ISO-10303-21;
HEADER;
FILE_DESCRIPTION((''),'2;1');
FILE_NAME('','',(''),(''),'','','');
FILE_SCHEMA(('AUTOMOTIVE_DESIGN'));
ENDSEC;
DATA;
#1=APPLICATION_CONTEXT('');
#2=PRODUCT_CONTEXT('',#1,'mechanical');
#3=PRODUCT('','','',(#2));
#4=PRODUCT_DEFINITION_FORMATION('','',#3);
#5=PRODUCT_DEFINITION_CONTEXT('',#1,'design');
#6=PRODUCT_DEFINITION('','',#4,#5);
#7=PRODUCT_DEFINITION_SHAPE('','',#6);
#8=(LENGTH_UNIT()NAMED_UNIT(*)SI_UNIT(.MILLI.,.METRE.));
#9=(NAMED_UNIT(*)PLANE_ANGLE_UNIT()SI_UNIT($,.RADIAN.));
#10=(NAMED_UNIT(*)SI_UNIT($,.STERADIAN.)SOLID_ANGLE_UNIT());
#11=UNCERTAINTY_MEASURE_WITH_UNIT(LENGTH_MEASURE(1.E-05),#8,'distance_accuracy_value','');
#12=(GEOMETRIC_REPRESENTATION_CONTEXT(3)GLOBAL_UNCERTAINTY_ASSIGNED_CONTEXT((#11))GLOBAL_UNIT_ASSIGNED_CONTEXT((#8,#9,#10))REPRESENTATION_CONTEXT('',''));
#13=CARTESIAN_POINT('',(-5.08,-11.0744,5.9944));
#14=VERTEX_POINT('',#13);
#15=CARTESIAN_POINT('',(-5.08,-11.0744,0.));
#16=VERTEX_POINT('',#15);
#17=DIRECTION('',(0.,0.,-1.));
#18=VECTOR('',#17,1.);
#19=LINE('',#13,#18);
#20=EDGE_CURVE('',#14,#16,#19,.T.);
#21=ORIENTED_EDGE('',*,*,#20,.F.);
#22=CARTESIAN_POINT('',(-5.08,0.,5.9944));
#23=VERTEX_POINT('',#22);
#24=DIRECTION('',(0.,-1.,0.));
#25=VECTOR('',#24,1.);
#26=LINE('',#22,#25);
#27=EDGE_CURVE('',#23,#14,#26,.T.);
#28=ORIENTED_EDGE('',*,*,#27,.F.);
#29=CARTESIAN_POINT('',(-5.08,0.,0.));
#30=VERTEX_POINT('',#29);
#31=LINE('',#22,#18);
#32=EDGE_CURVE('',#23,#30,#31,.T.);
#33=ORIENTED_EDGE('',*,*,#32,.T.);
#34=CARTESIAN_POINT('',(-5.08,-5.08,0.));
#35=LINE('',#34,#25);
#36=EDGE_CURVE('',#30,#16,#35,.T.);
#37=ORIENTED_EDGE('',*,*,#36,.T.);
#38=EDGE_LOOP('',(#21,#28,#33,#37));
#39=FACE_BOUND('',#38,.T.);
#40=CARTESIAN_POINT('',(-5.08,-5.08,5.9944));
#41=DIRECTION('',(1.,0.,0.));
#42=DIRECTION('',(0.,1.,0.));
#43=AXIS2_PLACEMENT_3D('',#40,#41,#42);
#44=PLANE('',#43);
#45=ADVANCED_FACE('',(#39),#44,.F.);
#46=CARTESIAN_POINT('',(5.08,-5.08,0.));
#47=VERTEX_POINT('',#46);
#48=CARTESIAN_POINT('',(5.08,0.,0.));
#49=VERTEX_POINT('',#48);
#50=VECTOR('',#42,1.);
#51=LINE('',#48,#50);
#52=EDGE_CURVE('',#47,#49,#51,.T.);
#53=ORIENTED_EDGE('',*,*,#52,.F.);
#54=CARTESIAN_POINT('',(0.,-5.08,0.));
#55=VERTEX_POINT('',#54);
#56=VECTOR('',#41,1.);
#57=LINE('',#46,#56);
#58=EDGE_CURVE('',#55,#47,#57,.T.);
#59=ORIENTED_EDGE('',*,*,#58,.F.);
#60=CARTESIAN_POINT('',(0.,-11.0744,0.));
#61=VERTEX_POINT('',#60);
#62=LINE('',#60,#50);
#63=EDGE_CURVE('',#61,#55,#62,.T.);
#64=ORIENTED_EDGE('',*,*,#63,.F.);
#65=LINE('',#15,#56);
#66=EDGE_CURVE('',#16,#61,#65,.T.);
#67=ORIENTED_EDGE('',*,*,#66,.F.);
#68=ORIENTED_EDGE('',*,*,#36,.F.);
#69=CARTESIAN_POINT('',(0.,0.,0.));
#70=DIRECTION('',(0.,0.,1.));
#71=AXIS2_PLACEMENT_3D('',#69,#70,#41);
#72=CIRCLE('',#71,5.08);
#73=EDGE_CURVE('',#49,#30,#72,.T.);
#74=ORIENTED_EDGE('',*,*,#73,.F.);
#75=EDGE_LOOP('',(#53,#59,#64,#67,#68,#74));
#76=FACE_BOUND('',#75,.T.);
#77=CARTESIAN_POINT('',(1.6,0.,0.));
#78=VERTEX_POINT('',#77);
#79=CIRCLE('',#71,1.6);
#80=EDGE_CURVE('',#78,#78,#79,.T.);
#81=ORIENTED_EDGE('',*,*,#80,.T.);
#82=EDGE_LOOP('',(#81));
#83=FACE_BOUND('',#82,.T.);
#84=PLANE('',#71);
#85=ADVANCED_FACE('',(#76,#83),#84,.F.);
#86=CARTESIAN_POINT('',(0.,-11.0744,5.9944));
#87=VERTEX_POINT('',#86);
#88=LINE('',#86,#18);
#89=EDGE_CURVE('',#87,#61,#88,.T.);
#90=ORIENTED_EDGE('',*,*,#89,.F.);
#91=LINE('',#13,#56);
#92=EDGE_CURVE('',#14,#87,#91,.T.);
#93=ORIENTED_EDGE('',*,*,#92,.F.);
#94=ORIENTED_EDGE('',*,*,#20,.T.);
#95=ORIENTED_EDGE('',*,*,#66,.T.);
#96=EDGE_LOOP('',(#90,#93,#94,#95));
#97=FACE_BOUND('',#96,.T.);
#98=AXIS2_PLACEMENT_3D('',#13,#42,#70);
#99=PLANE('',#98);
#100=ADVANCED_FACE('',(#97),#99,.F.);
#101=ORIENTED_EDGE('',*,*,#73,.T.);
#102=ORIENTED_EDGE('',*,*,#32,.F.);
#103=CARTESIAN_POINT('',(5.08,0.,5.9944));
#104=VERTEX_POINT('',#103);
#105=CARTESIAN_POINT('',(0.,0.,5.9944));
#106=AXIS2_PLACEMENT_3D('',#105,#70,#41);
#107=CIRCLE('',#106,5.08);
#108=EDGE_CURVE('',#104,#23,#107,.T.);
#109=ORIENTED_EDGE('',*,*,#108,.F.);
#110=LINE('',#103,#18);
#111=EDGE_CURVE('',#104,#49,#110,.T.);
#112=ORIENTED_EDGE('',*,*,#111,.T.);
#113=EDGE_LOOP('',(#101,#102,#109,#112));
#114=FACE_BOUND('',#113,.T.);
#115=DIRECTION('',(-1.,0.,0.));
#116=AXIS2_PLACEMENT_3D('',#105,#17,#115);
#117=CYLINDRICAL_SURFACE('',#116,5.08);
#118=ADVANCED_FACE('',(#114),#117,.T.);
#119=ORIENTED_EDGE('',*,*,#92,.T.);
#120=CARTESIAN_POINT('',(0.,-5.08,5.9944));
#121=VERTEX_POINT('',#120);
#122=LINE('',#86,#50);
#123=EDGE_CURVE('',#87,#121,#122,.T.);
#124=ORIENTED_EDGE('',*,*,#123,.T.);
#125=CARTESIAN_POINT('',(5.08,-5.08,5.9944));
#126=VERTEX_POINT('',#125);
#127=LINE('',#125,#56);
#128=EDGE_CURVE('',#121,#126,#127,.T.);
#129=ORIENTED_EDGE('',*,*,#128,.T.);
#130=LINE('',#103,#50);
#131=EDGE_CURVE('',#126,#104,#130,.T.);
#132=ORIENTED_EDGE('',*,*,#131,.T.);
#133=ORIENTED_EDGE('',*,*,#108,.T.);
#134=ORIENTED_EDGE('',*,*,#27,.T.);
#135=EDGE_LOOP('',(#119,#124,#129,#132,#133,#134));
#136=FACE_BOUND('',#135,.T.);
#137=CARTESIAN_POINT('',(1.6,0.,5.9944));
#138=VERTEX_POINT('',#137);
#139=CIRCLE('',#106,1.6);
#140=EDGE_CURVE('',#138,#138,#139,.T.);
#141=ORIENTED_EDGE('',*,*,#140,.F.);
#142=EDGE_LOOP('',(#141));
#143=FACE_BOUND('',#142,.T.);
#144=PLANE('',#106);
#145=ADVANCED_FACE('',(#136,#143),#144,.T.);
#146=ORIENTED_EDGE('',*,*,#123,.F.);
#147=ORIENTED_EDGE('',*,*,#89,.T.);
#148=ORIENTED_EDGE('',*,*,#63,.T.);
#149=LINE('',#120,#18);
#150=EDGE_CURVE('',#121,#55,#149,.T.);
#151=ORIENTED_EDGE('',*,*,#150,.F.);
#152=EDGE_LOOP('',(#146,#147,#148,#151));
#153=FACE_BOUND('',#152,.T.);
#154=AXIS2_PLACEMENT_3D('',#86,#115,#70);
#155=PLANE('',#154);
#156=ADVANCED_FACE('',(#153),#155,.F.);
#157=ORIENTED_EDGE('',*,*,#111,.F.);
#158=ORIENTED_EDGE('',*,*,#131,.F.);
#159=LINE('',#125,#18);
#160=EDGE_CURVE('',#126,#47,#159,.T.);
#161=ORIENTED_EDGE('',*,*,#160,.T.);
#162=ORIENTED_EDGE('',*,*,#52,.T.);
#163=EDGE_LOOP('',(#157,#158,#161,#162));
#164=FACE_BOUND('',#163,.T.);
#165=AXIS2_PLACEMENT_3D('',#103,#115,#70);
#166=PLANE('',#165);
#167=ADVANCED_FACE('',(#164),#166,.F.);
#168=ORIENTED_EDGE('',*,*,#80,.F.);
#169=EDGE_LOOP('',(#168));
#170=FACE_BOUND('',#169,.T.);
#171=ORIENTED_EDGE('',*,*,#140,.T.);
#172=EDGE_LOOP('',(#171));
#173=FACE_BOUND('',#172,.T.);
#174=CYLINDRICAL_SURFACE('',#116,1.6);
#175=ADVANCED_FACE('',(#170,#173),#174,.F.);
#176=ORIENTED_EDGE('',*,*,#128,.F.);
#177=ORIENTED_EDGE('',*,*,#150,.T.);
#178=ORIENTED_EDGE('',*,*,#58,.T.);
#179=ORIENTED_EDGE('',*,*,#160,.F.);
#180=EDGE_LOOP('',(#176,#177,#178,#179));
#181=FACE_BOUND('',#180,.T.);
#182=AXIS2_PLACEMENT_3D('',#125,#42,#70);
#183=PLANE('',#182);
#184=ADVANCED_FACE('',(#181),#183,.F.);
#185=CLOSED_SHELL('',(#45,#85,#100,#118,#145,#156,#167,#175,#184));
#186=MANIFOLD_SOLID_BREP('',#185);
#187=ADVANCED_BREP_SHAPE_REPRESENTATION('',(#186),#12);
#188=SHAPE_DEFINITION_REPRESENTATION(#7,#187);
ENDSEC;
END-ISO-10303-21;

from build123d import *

# Parameters (mm, degrees)
SKETCH1_R           = 1.6
BOSS_EXTRUDE1_DEPTH = 5.9944


with BuildPart() as part:
    # Sketch1 → Boss-Extrude1 (new body)
    with BuildSketch(Plane.XY):
        with BuildLine():
            Line((-5.08, 0), (-5.08, -5.08))
            Line((-5.08, -5.08), (-5.08, -11.0744))
            Line((-5.08, -11.0744), (0, -11.0744))
            Line((0, -11.0744), (0, -5.08))
            Line((0, -5.08), (5.08, -5.08))
            Line((5.08, -5.08), (5.08, 0))
            ThreePointArc((5.08, 0), (0, 5.08), (-5.08, 0))
        make_face()
        Circle(SKETCH1_R, mode=Mode.SUBTRACT)
    extrude(amount=BOSS_EXTRUDE1_DEPTH)


solid = part.part
